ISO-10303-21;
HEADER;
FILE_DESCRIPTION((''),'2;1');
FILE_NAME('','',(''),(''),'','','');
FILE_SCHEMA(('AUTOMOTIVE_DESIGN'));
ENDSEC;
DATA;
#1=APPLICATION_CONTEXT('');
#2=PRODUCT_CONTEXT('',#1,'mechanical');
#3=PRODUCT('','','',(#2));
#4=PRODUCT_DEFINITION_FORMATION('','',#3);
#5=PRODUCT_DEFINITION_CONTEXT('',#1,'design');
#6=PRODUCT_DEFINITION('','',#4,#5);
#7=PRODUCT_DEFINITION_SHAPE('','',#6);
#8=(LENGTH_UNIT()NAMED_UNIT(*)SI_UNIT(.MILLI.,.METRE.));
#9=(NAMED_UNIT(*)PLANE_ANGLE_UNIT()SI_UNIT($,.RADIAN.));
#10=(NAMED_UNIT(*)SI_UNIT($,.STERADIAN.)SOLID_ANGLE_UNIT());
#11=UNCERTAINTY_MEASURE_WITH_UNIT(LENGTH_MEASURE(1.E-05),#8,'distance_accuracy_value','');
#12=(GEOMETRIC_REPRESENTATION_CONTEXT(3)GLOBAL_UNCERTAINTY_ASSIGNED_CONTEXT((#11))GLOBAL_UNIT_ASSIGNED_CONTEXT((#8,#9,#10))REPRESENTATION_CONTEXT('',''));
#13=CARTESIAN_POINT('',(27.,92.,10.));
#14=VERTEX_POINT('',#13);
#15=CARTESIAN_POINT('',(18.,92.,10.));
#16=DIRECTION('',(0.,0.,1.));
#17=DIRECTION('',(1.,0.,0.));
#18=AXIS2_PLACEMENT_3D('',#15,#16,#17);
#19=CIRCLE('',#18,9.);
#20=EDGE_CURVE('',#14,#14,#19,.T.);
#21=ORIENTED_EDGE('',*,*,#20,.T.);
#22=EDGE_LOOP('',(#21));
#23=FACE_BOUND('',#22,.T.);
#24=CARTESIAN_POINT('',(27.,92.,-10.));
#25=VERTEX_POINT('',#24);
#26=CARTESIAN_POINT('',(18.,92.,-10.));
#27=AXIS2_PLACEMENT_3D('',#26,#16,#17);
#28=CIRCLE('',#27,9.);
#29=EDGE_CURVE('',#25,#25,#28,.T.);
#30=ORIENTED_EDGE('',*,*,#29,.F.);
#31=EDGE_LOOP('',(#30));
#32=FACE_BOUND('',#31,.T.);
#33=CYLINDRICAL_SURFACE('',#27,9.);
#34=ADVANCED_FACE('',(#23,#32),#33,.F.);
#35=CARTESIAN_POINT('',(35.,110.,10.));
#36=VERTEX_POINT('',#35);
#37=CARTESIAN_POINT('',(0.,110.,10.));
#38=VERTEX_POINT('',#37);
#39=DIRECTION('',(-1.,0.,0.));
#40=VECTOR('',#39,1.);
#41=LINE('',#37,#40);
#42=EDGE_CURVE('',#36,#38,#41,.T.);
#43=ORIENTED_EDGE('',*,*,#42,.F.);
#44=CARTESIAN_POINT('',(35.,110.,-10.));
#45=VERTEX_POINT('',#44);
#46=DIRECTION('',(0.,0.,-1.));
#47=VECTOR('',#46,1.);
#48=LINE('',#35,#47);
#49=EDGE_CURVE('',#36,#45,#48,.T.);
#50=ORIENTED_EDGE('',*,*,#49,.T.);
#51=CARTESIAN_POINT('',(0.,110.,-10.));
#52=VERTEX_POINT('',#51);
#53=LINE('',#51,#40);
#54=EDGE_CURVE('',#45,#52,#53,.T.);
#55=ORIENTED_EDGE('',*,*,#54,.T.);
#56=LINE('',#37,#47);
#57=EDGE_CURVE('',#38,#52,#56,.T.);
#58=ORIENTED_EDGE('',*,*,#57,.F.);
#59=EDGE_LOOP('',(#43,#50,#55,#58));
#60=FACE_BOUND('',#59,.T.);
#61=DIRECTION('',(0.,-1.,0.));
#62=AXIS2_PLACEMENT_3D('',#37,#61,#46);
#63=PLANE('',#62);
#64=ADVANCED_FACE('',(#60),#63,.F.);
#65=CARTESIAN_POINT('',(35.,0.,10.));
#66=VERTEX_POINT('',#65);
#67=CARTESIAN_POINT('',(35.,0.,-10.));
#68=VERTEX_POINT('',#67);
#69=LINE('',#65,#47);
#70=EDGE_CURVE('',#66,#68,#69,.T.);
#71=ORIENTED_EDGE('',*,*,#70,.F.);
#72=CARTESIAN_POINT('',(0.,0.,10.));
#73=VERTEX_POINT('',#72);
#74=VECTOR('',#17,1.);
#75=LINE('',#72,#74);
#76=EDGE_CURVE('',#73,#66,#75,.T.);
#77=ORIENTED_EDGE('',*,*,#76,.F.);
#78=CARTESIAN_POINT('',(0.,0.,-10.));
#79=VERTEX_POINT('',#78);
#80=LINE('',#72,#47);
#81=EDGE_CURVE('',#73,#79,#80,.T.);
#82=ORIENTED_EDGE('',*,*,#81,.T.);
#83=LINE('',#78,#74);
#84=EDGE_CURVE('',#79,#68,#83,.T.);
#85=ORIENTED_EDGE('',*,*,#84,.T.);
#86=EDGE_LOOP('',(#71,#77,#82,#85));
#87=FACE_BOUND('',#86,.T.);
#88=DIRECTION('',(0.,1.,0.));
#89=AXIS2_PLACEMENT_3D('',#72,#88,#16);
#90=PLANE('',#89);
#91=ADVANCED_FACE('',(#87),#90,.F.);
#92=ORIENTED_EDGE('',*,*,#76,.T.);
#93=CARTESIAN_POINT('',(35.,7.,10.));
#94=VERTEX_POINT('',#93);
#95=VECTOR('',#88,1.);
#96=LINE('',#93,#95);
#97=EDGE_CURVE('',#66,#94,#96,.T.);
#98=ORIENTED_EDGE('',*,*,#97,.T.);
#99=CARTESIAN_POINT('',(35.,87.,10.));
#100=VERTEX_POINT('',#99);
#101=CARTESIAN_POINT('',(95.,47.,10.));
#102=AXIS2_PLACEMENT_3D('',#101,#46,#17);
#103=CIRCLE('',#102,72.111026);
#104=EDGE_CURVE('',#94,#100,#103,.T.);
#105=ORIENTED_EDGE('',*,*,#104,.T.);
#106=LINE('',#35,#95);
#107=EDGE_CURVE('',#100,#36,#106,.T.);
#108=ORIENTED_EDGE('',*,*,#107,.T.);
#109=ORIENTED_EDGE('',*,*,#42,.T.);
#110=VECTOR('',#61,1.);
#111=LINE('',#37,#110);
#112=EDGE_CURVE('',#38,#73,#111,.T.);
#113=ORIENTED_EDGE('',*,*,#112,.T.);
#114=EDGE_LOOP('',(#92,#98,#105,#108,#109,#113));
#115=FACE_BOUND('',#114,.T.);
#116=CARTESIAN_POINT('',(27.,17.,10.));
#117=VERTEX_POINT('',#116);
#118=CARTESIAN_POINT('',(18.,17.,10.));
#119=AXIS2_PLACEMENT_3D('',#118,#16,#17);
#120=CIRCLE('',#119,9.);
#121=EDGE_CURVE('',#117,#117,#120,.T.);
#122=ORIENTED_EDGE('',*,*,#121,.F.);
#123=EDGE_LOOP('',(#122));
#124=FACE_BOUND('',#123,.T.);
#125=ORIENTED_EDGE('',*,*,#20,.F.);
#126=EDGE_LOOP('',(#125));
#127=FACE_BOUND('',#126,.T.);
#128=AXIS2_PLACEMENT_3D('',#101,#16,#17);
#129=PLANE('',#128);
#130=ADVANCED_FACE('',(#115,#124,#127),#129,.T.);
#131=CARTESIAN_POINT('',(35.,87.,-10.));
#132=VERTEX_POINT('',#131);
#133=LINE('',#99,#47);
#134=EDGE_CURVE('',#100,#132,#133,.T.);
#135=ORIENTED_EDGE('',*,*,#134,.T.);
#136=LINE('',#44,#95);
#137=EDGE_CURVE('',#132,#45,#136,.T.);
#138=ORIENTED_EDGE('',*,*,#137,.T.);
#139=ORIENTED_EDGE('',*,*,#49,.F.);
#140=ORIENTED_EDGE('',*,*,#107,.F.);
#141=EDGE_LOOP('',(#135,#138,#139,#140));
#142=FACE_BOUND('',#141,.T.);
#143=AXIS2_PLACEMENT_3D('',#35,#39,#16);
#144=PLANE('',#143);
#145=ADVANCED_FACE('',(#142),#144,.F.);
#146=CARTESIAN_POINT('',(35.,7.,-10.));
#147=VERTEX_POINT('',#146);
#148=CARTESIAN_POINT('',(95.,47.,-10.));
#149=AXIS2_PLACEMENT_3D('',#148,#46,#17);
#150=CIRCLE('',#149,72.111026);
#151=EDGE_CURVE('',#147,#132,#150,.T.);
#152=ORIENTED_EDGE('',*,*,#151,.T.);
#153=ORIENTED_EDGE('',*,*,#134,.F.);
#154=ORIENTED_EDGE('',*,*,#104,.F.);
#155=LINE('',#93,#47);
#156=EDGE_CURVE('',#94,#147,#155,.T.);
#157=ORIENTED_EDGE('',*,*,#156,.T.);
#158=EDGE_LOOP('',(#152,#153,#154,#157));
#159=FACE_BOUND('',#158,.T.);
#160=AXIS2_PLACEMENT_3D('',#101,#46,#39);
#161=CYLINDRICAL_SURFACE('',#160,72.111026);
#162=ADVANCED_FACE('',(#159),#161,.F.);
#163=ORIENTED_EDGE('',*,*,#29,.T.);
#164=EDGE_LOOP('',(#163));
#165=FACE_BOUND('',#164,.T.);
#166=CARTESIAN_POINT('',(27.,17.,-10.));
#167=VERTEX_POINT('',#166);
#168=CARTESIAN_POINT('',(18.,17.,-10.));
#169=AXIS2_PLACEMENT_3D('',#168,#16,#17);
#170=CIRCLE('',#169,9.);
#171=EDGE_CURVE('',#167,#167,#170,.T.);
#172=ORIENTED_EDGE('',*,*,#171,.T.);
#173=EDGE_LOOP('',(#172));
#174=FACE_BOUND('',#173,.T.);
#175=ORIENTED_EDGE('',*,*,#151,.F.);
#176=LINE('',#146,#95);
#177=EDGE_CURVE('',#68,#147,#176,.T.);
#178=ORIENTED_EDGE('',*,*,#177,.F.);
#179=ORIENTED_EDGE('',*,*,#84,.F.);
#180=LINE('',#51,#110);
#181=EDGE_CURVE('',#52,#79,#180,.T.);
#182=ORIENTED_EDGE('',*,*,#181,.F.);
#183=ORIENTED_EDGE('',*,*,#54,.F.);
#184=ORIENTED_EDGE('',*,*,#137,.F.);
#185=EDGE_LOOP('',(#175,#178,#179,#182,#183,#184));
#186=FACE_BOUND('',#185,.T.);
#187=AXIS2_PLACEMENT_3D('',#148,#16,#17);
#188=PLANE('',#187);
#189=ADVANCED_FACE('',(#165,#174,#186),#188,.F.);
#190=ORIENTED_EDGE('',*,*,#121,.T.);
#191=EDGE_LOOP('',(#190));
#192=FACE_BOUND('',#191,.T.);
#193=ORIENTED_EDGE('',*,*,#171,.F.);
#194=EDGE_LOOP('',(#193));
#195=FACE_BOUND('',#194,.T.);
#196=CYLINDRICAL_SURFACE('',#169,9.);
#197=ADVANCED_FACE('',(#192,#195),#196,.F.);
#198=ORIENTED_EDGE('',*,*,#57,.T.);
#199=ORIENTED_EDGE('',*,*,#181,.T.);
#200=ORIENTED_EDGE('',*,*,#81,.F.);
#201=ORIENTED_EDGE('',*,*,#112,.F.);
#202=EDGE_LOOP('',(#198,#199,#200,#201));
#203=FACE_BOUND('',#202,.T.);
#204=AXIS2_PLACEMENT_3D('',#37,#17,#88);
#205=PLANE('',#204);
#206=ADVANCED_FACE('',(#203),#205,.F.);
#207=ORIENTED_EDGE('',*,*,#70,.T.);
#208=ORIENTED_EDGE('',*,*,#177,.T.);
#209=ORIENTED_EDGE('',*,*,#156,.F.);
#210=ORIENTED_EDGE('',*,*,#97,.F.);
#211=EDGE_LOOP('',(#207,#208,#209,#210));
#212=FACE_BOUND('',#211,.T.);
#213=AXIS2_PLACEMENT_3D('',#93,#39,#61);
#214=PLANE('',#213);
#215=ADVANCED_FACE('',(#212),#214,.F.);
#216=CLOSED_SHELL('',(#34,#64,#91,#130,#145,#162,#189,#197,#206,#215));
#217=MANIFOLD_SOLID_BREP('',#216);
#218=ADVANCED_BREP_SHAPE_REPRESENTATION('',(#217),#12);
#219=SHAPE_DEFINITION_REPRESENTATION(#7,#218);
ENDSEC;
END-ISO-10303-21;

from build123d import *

# Parameters (mm, degrees)
BOSS_EXTRUDE1_DEPTH = 10
SKETCH2_R           = 9
CUT_EXTRUDE1_DEPTH  = 118.153745139


with BuildPart() as part:
    # Sketch1 → Boss-Extrude1 (new, symmetric)
    with BuildSketch(Plane.XY):
        with BuildLine():
            Line((0, 110), (35, 110))
            Line((35, 110), (35, 87))
            ThreePointArc((35, 87), (22.888974491, 47), (35, 7))
            Line((35, 7), (35, 0))
            Line((35, 0), (0, 0))
            Line((0, 0), (0, 110))
        make_face()
    extrude(amount=BOSS_EXTRUDE1_DEPTH, both=True)

    # Sketch2 → Cut-Extrude1 (cut, through all)
    with BuildSketch(Plane.XY.offset(10)):
        with Locations((18, 92)):
            Circle(SKETCH2_R)
        with Locations((18, 17)):
            Circle(SKETCH2_R)
    extrude(amount=-CUT_EXTRUDE1_DEPTH, mode=Mode.SUBTRACT)


solid = part.part
